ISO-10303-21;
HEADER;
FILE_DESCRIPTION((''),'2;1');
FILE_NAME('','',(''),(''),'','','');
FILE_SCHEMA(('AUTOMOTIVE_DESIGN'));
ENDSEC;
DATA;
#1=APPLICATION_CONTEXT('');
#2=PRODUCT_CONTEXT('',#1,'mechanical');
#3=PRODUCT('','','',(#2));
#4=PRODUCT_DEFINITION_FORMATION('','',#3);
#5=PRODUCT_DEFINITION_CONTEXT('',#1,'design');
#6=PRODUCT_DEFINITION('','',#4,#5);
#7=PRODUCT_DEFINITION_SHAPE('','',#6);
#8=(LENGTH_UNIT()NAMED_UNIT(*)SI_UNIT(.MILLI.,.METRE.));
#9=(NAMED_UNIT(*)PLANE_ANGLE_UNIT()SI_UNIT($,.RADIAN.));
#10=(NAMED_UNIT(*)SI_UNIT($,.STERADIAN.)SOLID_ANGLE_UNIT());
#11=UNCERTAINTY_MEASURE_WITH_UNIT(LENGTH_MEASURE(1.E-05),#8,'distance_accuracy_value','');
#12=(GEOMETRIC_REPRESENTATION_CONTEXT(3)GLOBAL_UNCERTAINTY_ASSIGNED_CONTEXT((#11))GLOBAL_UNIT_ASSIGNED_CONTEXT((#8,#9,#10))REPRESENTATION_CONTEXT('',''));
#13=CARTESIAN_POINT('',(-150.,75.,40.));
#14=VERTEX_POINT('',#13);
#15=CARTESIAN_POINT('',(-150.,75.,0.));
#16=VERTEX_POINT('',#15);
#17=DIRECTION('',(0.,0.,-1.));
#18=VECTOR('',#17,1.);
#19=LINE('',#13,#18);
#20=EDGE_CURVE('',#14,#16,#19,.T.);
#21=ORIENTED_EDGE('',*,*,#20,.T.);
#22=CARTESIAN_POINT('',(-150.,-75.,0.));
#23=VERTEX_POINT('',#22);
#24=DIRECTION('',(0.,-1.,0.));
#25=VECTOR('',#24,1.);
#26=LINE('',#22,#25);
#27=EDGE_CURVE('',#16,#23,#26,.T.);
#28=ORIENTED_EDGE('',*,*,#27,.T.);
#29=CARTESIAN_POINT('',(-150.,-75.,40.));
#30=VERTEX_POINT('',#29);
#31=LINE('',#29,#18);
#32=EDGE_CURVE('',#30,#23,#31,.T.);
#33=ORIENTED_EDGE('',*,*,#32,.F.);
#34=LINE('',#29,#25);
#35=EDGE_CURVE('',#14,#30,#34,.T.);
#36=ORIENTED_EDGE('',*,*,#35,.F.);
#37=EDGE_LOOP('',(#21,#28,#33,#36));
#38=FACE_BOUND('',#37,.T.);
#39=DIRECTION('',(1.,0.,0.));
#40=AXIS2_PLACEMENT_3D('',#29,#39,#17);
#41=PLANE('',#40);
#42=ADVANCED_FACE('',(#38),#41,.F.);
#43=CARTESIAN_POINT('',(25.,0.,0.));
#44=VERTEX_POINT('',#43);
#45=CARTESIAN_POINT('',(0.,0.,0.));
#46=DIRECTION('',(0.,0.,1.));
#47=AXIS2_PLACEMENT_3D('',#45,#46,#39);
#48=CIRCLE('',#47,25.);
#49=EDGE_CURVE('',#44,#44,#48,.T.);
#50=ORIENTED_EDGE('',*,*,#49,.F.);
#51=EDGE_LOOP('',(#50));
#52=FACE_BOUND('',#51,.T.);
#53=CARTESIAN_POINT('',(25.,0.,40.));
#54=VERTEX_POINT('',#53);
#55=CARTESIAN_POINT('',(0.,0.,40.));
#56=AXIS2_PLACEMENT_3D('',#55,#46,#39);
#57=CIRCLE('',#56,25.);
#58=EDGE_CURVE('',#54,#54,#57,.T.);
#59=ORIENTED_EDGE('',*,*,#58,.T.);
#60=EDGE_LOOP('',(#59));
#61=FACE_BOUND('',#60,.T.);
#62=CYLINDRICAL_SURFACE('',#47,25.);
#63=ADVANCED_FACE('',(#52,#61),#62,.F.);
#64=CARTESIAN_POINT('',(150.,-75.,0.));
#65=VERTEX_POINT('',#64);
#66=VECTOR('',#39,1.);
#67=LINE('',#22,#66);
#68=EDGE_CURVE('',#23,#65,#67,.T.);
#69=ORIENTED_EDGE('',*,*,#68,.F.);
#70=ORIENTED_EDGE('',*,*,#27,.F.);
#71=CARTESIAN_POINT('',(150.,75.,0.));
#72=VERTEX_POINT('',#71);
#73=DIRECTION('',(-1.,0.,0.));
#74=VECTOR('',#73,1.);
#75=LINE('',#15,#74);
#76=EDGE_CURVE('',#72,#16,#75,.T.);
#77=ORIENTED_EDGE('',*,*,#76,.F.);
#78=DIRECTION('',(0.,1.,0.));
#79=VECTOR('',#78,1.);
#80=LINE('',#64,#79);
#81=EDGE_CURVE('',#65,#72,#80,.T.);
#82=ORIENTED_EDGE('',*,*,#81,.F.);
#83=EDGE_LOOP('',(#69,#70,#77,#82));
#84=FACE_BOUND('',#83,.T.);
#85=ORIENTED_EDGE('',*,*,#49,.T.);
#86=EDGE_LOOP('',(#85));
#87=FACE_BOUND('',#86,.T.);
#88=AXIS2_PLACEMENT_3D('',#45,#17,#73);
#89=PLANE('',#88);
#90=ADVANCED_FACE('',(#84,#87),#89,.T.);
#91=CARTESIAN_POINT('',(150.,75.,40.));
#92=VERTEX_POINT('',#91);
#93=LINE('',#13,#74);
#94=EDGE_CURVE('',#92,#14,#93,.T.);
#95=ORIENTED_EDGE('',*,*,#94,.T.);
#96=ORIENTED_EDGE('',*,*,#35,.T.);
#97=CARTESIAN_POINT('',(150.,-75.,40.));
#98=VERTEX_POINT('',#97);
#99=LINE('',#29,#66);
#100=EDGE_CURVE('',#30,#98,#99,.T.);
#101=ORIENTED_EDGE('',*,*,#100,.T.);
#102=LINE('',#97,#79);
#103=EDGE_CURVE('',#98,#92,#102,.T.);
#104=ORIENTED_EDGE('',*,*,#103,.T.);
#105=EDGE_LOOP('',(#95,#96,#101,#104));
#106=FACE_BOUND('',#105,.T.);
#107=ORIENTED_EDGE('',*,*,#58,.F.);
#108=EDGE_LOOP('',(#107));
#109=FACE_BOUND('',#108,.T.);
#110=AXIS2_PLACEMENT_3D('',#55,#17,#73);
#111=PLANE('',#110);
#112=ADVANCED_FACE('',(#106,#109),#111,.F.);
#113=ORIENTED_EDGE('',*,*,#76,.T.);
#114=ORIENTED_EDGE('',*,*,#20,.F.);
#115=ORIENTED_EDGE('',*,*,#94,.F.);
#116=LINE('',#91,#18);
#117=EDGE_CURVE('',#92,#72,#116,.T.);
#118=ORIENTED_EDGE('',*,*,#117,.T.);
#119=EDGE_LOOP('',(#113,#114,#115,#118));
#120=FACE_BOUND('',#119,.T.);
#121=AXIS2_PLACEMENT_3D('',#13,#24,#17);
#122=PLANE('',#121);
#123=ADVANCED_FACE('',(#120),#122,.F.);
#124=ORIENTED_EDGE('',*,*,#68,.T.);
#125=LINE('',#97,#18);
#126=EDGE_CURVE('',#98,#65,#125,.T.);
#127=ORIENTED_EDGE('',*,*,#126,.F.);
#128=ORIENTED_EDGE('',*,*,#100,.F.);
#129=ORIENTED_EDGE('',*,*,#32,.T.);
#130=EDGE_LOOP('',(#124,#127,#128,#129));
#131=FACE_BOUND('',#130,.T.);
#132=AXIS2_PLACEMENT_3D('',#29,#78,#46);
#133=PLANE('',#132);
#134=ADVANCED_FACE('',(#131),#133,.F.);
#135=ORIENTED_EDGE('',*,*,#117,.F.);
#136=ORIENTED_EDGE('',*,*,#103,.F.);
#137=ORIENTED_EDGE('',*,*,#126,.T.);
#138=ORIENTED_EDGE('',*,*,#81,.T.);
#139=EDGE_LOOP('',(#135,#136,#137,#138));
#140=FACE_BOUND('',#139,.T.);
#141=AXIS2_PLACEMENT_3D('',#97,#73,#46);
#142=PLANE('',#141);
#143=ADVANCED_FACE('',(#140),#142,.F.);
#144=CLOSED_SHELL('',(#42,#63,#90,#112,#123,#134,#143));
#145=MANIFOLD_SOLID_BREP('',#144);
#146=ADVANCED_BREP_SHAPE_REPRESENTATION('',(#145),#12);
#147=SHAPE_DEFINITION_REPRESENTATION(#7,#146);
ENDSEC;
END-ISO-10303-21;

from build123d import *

# Parameters (mm, degrees)
SKETCH_2_W          = 300
SKETCH_2_H          = 150
EXTRUDE_1_DEPTH     = 40
SKETCH_3_R          = 25
CUT_EXTRUDE_1_DEPTH = 40


with BuildPart() as part:
    # 草图2 → 凸台-拉伸1 (new body)
    with BuildSketch(Plane.XY):
        Rectangle(SKETCH_2_W, SKETCH_2_H)
    extrude(amount=EXTRUDE_1_DEPTH)

    # 草图3 → 切除-拉伸1 (cut)
    with BuildSketch(Plane.XY.offset(40)):
        Circle(SKETCH_3_R)
    extrude(amount=-CUT_EXTRUDE_1_DEPTH, mode=Mode.SUBTRACT)


solid = part.part
